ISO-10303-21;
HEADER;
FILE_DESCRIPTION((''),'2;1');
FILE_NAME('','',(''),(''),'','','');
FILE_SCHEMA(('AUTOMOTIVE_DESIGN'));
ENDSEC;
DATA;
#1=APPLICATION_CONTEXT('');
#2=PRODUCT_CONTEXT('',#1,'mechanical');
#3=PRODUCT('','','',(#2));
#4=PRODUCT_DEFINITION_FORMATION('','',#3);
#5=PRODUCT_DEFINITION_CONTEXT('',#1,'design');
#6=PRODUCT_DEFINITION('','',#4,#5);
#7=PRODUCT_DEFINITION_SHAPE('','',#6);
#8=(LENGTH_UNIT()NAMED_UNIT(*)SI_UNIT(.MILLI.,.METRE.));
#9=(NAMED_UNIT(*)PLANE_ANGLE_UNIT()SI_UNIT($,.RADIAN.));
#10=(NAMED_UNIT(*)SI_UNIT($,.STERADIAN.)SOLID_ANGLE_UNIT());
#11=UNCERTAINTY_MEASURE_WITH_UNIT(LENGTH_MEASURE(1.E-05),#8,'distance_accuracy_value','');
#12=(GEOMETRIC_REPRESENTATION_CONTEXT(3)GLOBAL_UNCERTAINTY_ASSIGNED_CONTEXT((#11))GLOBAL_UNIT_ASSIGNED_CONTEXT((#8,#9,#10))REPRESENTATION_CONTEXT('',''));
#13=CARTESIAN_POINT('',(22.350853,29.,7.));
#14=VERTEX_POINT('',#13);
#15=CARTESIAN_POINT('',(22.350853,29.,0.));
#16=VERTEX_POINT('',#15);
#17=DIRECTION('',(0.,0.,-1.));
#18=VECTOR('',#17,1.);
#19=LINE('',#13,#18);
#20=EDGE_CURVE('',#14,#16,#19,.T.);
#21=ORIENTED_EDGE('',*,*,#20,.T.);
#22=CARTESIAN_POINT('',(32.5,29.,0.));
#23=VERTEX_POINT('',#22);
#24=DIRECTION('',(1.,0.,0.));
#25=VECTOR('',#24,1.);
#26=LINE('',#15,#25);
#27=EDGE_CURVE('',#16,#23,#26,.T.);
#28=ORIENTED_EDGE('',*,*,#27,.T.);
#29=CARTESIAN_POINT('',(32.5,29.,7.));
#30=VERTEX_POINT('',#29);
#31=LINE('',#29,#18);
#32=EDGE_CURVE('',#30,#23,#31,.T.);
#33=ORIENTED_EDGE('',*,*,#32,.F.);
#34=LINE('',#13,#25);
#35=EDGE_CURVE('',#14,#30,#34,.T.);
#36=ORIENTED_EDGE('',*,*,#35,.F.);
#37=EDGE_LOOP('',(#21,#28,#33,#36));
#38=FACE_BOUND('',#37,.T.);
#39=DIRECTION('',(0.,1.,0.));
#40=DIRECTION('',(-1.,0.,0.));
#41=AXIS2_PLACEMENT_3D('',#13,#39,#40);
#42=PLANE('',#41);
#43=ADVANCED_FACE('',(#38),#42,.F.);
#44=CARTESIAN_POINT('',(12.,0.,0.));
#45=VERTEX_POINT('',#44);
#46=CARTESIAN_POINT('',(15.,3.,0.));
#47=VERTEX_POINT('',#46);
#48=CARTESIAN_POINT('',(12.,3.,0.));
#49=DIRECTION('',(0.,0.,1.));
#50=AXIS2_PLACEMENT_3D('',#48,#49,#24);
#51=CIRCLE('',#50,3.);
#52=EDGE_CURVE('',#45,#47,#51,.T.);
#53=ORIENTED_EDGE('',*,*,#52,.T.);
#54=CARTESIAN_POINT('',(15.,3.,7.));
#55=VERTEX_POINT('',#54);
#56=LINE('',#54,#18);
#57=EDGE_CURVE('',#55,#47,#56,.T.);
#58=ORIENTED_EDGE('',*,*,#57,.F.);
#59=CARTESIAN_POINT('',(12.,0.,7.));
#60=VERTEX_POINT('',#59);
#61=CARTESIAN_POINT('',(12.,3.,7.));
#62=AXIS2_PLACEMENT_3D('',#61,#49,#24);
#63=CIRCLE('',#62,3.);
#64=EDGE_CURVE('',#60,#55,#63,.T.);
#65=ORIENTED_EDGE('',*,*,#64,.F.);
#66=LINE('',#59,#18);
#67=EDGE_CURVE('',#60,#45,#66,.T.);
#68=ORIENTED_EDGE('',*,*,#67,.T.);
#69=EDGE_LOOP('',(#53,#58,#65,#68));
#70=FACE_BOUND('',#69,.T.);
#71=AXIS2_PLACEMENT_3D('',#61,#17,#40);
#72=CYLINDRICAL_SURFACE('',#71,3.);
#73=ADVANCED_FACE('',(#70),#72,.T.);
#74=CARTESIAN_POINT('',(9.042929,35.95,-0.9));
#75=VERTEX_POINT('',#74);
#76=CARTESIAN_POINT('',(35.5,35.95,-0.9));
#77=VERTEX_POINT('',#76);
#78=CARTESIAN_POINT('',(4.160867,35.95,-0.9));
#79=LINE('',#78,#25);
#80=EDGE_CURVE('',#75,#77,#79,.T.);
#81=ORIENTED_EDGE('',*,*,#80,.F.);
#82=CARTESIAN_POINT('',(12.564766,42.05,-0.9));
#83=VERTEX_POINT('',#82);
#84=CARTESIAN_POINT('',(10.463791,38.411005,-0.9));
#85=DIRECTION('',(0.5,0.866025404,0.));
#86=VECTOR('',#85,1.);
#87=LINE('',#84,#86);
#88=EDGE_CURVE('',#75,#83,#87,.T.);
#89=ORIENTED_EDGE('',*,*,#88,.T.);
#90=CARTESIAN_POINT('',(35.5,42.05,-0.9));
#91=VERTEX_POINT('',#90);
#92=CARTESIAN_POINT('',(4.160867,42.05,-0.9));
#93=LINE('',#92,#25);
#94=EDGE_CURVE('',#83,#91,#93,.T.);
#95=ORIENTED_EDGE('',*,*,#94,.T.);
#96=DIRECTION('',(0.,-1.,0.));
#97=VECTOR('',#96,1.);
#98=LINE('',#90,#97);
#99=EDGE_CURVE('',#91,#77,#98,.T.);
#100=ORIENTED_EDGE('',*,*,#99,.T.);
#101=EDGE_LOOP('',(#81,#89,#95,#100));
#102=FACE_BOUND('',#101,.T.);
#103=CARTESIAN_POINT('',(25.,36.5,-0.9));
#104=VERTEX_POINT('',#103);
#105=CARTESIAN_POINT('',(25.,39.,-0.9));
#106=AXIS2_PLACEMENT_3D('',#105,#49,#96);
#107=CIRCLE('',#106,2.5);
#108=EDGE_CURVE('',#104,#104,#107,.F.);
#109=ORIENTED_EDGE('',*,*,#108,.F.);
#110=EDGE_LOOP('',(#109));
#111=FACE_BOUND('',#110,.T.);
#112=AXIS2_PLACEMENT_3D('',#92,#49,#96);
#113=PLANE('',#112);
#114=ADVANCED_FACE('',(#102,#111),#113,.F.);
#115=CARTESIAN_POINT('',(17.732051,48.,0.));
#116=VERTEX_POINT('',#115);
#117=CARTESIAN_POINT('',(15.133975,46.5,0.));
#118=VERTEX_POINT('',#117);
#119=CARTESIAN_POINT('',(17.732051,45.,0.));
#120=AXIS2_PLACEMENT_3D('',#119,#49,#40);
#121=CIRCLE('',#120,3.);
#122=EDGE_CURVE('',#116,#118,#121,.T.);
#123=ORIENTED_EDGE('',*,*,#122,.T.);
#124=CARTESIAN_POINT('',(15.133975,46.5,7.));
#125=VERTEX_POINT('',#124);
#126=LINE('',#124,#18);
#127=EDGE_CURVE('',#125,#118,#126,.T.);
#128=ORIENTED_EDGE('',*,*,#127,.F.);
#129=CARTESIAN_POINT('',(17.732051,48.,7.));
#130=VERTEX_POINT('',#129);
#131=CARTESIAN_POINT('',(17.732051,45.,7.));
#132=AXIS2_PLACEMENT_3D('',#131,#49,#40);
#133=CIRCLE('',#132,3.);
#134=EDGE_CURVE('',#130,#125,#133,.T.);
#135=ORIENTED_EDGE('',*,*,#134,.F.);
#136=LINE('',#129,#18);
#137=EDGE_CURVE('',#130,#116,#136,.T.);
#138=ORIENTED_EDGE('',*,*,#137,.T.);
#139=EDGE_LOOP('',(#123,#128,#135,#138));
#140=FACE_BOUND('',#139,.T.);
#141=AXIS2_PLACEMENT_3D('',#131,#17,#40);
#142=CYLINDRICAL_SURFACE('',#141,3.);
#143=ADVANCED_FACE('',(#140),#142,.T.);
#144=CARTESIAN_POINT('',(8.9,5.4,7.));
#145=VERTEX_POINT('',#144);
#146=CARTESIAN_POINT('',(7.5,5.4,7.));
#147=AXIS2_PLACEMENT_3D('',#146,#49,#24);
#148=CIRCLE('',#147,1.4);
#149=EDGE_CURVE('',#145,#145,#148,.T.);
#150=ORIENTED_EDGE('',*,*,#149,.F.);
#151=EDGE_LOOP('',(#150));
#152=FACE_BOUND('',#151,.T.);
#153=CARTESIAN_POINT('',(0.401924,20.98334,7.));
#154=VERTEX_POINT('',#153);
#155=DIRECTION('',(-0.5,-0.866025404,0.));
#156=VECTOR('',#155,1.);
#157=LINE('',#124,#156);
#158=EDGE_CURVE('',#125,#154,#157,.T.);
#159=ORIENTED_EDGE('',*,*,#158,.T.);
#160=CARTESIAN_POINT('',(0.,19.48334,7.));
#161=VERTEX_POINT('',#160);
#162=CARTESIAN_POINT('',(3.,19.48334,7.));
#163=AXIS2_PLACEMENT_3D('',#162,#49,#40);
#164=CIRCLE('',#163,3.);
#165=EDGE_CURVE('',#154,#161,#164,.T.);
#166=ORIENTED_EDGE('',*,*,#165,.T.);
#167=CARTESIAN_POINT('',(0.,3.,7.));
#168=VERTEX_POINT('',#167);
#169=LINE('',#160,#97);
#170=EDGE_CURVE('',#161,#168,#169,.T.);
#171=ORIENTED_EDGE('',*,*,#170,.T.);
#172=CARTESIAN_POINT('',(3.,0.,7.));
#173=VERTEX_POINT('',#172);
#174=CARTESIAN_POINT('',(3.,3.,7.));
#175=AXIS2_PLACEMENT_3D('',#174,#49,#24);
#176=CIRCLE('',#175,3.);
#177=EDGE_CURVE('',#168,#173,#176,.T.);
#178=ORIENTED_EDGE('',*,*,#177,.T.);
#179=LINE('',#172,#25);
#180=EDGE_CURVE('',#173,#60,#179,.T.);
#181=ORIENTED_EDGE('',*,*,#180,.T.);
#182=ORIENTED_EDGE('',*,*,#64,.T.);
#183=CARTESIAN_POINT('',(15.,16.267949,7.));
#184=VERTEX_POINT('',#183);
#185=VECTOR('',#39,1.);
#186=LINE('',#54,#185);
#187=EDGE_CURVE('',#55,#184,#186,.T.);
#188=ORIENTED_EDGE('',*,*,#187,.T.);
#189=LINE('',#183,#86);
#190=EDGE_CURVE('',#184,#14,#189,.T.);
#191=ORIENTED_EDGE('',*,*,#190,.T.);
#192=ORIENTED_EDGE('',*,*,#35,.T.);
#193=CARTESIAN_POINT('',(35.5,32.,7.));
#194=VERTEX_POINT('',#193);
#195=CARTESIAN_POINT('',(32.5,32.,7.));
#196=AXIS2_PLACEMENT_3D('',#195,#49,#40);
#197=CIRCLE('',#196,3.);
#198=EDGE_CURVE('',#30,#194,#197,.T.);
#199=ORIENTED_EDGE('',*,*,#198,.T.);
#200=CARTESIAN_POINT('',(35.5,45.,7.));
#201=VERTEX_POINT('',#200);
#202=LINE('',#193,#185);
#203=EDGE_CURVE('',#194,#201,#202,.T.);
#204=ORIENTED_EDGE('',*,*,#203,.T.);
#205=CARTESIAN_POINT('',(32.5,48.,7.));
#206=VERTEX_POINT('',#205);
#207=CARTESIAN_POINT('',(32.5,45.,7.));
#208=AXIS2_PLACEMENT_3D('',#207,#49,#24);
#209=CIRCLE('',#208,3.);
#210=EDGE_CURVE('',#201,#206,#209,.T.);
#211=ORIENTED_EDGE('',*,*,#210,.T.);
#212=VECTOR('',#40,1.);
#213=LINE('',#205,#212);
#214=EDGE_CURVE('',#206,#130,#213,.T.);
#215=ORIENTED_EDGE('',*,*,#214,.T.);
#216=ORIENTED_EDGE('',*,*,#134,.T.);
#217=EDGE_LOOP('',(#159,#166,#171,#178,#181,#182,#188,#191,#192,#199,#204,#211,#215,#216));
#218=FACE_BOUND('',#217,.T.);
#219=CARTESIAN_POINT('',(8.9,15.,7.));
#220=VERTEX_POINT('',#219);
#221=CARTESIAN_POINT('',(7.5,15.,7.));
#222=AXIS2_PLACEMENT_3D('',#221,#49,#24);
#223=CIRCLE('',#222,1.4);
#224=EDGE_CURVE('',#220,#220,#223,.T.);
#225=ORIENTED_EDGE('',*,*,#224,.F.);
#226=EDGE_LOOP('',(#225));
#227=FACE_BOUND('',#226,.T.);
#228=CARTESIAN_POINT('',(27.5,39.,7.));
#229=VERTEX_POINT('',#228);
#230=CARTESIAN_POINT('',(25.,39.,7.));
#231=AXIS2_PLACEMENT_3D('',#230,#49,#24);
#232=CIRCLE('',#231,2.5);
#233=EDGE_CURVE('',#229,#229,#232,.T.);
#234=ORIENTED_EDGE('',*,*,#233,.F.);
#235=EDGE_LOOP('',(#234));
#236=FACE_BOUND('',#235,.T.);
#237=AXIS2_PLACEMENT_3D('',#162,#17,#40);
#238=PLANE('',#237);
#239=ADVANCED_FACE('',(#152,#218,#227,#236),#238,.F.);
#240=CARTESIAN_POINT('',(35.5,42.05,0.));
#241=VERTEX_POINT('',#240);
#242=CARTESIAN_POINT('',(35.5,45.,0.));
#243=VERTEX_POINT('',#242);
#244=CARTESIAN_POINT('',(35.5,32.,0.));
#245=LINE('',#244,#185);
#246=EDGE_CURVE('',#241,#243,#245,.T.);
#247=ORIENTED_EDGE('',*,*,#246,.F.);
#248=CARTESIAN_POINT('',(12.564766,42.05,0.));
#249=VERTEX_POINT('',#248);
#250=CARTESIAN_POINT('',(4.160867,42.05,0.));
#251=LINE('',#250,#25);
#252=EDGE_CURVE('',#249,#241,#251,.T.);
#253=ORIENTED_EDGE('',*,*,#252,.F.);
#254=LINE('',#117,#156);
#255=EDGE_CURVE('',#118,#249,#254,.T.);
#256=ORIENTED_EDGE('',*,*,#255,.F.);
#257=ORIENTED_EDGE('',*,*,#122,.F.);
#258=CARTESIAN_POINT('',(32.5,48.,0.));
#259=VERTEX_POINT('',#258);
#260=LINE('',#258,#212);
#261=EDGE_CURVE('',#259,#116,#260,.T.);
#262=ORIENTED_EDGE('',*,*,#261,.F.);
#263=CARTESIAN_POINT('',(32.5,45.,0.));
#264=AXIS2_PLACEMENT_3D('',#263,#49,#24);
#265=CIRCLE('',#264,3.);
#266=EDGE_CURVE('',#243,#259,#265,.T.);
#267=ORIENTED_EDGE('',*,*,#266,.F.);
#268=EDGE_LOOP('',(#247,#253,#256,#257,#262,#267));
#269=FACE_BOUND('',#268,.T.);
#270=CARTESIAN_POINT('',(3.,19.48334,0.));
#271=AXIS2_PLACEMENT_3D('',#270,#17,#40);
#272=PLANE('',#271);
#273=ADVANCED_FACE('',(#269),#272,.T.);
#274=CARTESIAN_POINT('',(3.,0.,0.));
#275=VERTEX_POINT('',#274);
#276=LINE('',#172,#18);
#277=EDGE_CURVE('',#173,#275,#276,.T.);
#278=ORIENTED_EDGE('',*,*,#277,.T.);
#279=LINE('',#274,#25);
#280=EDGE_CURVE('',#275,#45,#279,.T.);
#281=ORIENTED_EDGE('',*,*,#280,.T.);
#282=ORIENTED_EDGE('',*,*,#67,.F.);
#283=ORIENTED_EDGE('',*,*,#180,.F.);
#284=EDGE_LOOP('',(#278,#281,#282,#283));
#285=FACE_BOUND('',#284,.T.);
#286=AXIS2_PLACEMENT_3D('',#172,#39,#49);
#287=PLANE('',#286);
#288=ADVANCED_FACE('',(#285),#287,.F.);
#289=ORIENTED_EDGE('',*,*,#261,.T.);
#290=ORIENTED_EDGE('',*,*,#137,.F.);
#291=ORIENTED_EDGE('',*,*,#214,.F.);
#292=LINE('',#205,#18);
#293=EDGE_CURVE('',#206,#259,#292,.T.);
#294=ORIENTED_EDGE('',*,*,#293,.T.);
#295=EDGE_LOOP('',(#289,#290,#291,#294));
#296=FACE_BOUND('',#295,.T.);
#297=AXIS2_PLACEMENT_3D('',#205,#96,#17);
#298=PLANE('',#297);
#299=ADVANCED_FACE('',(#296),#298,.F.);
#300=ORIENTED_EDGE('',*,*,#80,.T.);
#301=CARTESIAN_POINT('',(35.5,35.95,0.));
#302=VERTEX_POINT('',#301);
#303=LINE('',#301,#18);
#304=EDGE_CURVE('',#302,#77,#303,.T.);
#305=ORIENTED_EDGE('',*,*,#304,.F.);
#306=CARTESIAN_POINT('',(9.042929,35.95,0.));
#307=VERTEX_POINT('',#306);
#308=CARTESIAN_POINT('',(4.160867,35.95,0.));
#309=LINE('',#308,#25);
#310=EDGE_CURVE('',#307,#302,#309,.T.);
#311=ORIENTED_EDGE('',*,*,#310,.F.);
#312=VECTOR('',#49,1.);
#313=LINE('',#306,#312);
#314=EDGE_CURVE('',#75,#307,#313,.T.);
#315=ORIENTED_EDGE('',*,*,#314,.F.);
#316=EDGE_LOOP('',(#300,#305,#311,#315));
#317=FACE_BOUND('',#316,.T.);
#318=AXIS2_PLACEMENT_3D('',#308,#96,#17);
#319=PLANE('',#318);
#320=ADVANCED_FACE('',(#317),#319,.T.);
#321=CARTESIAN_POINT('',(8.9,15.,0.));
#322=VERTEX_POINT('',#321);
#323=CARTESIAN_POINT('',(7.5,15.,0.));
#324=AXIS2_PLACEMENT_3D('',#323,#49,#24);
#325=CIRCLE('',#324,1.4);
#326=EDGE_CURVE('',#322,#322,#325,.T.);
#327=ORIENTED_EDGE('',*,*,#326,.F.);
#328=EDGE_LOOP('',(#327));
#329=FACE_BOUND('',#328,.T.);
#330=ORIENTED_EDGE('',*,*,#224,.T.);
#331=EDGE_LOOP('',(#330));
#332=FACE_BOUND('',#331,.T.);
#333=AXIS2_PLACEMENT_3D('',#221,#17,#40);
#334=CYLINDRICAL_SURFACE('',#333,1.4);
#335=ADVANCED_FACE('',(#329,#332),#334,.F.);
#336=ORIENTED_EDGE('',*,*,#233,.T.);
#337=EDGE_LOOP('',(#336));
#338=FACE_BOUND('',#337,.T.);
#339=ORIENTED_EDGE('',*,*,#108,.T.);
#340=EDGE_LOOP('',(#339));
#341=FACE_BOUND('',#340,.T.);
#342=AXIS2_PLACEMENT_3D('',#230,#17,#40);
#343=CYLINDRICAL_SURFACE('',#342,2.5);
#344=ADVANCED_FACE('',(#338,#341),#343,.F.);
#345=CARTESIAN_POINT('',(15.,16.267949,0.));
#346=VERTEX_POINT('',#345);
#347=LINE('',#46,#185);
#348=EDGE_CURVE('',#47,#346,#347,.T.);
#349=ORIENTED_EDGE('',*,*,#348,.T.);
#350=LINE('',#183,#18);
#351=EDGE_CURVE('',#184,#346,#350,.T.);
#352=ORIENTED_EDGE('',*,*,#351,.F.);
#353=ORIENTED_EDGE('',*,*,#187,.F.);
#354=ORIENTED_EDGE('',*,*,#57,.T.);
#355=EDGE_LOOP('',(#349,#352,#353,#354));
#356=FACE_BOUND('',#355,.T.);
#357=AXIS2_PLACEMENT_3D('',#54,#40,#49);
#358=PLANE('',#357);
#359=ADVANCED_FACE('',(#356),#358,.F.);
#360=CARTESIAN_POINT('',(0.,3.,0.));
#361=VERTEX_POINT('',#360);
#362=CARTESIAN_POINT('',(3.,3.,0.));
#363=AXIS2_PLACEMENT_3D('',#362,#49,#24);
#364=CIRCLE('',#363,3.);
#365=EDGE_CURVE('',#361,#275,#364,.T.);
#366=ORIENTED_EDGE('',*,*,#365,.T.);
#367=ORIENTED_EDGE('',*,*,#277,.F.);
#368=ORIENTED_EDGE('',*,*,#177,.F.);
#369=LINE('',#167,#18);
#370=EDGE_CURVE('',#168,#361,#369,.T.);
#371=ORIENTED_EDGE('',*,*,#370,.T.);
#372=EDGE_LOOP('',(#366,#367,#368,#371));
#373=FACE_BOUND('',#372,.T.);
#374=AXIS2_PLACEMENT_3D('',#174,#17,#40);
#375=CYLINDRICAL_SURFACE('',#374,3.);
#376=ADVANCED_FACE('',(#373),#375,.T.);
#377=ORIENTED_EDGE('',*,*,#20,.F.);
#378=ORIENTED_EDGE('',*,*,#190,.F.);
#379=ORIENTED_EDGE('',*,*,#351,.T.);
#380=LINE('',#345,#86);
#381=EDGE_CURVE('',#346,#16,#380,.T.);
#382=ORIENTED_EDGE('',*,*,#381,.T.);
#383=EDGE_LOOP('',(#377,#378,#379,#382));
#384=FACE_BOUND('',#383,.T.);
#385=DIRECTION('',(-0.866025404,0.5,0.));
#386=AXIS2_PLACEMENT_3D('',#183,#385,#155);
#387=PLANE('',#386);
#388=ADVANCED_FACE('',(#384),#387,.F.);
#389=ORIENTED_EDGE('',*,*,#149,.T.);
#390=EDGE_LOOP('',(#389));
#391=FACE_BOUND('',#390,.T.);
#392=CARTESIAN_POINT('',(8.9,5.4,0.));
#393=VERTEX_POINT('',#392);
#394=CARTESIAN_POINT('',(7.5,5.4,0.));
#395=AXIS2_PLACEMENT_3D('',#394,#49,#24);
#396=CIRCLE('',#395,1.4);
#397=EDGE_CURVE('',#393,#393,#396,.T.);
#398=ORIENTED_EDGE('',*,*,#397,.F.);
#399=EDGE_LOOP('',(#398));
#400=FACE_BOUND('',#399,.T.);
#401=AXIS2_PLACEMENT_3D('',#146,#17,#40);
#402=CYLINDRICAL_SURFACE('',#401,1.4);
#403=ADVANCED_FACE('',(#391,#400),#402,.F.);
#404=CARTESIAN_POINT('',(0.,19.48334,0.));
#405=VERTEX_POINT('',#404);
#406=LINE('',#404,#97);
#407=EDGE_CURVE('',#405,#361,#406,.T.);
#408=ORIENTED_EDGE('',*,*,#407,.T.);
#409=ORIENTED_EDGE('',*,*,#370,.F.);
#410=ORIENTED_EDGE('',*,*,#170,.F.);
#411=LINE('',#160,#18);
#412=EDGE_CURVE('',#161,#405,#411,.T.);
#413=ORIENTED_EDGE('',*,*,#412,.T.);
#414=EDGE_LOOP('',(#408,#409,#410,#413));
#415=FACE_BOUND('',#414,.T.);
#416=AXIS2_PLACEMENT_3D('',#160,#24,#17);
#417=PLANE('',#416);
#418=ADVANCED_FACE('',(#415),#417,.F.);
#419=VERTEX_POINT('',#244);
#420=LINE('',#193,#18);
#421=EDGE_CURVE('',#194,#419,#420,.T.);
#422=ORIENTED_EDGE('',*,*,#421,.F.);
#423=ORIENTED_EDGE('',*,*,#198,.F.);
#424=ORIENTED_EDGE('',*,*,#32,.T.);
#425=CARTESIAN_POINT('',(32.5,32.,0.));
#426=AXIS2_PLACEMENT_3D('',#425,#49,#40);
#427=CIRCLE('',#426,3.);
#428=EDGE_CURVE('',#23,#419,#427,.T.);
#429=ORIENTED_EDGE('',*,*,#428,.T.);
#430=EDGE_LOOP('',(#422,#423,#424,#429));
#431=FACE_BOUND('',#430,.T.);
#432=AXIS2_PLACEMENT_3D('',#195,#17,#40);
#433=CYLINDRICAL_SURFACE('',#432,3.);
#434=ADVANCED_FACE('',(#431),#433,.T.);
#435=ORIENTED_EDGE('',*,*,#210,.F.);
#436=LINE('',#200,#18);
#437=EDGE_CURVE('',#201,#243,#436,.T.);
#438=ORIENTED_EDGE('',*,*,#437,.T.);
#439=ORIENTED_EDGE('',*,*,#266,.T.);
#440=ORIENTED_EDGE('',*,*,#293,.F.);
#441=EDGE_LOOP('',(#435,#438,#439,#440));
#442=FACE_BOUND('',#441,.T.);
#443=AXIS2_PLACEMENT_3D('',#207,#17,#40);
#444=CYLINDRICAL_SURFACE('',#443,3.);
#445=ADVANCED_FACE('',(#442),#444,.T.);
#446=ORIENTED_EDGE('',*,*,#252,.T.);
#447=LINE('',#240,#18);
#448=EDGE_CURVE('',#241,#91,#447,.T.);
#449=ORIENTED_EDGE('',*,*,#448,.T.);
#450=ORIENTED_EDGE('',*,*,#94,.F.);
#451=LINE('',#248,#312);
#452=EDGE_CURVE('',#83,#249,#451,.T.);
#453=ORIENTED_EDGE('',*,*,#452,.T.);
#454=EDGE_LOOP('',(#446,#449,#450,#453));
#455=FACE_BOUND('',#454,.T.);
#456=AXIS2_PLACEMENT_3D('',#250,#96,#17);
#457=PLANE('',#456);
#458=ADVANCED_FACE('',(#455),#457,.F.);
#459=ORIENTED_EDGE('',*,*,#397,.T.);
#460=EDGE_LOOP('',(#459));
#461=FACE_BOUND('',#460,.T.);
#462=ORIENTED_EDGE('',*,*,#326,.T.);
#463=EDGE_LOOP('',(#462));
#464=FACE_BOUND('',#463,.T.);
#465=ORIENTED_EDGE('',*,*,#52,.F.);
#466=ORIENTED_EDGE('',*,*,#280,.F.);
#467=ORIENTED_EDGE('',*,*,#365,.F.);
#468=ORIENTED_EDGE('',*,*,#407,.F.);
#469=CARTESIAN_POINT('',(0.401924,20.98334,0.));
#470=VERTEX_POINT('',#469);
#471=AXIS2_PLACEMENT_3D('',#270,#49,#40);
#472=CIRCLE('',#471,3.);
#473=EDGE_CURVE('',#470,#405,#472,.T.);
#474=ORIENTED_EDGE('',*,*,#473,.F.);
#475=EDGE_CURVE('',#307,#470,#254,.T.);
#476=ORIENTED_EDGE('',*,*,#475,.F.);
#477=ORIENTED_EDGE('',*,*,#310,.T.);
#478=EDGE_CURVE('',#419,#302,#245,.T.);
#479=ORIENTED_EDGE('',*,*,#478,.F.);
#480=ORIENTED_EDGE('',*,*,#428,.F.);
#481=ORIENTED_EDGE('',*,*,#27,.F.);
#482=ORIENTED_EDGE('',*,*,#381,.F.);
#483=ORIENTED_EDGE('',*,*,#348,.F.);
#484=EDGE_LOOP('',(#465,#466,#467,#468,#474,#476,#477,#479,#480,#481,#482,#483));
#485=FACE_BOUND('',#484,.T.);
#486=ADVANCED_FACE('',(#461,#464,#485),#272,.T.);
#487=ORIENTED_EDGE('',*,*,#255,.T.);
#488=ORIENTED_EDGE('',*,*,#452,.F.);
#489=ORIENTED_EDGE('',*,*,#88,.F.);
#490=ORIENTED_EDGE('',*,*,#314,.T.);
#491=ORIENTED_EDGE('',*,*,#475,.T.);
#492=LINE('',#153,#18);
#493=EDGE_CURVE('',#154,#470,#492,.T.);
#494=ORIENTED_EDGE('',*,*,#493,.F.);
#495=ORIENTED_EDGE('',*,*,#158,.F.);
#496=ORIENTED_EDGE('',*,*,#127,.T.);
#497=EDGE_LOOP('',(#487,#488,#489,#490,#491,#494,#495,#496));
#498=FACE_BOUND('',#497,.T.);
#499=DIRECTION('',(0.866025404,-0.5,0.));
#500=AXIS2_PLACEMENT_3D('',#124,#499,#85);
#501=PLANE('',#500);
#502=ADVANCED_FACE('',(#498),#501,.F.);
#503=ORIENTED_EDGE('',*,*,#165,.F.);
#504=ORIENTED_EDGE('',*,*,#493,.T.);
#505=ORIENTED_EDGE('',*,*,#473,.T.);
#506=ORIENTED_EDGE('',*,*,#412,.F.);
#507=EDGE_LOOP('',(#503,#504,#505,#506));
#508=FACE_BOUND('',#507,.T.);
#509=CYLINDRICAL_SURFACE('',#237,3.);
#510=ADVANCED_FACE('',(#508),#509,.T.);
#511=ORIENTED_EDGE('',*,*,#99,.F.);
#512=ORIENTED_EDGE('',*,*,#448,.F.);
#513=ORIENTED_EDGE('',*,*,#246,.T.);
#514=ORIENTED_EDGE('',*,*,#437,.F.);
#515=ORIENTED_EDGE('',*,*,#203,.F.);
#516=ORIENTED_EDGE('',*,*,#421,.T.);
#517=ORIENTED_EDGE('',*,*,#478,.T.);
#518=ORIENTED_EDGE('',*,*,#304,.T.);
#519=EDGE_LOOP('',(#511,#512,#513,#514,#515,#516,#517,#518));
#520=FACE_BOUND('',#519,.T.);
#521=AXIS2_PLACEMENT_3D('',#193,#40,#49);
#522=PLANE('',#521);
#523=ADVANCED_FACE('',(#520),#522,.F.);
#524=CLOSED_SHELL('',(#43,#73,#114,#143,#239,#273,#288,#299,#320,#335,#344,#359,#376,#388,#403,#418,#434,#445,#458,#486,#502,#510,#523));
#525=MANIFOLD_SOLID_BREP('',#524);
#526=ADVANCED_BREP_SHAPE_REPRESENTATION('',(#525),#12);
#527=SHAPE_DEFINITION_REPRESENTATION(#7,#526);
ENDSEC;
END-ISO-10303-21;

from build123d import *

# Parameters (mm, degrees)
SKETCH1_R           = 2.5
SKETCH1_R_2         = 1.4
BOSS_EXTRUDE1_DEPTH = 7
BOSS_EXTRUDE2_REACH = 62.11
SKETCH2_W           = 0.9
SKETCH2_H           = 6.1
CUT_EXTRUDE1_REACH  = 62.11
SKETCH3_R           = 2.5


with BuildPart() as part:
    # Sketch1 → Boss-Extrude1 (new body)
    with BuildSketch(Plane.XY):
        with BuildLine():
            Line((3, 0), (12, 0))
            ThreePointArc((12, 0), (14.121320344, 0.878679656), (15, 3))
            Line((15, 3), (15, 16.267949192))
            Line((15, 16.267949192), (22.350852961, 29))
            Line((22.350852961, 29), (32.5, 29))
            ThreePointArc((32.5, 29), (34.621320344, 29.878679656), (35.5, 32))
            Line((35.5, 32), (35.5, 45))
            ThreePointArc((35.5, 45), (34.621320344, 47.121320344), (32.5, 48))
            Line((32.5, 48), (17.732050808, 48))
            ThreePointArc((17.732050808, 48), (16.232050808, 47.598076211), (15.133974596, 46.5))
            Line((15.133974596, 46.5), (0.401923789, 20.983339502))
            ThreePointArc((0.401923789, 20.983339502), (0.102222521, 20.259796637), (0, 19.483339502))
            Line((0, 19.483339502), (0, 3))
            ThreePointArc((0, 3), (0.878679656, 0.878679656), (3, 0))
        make_face()
        with Locations((25, 39)):
            Circle(SKETCH1_R, mode=Mode.SUBTRACT)
        with Locations((7.5, 5.4)):
            Circle(SKETCH1_R_2, mode=Mode.SUBTRACT)
        with Locations((7.5, 15)):
            Circle(SKETCH1_R_2, mode=Mode.SUBTRACT)
    extrude(amount=BOSS_EXTRUDE1_DEPTH)

    # Boss-Extrude2: up to this plane
    boss_extrude2_end = Plane(origin=(15.133974596, 46.5, 7), z_dir=(0.86602540378444, -0.4999999999999976, 0))
    # Sketch2 → Boss-Extrude2 (add, up to the surface)
    with BuildSketch(Plane(origin=(35.5, 0, 0), x_dir=(0, 0, -1), z_dir=(1, 0, 0)), mode=Mode.PRIVATE) as boss_extrude2_sk1:
        with Locations((0.45, 39)):
            Rectangle(SKETCH2_W, SKETCH2_H)
    boss_extrude2_tool1 = split(extrude(boss_extrude2_sk1.sketch, amount=-BOSS_EXTRUDE2_REACH, mode=Mode.PRIVATE), bisect_by=boss_extrude2_end, keep=Keep.BOTH, mode=Mode.PRIVATE)
    add(boss_extrude2_tool1.solids().sort_by_distance((35.5, 39, -0.45))[0])

    # Sketch3 → Cut-Extrude1 (cut, up to next)
    with BuildSketch(Plane.XY, mode=Mode.PRIVATE) as cut_extrude1_sk1:
        with Locations(Location((25, 39, 0), (0, 0, 270))):
            Circle(SKETCH3_R)
    cut_extrude1_tool1 = extrude(cut_extrude1_sk1.sketch, amount=-CUT_EXTRUDE1_REACH, mode=Mode.PRIVATE) & part.part
    add(cut_extrude1_tool1.solids().sort_by_distance((25, 39, 0))[0], mode=Mode.SUBTRACT)


solid = part.part
